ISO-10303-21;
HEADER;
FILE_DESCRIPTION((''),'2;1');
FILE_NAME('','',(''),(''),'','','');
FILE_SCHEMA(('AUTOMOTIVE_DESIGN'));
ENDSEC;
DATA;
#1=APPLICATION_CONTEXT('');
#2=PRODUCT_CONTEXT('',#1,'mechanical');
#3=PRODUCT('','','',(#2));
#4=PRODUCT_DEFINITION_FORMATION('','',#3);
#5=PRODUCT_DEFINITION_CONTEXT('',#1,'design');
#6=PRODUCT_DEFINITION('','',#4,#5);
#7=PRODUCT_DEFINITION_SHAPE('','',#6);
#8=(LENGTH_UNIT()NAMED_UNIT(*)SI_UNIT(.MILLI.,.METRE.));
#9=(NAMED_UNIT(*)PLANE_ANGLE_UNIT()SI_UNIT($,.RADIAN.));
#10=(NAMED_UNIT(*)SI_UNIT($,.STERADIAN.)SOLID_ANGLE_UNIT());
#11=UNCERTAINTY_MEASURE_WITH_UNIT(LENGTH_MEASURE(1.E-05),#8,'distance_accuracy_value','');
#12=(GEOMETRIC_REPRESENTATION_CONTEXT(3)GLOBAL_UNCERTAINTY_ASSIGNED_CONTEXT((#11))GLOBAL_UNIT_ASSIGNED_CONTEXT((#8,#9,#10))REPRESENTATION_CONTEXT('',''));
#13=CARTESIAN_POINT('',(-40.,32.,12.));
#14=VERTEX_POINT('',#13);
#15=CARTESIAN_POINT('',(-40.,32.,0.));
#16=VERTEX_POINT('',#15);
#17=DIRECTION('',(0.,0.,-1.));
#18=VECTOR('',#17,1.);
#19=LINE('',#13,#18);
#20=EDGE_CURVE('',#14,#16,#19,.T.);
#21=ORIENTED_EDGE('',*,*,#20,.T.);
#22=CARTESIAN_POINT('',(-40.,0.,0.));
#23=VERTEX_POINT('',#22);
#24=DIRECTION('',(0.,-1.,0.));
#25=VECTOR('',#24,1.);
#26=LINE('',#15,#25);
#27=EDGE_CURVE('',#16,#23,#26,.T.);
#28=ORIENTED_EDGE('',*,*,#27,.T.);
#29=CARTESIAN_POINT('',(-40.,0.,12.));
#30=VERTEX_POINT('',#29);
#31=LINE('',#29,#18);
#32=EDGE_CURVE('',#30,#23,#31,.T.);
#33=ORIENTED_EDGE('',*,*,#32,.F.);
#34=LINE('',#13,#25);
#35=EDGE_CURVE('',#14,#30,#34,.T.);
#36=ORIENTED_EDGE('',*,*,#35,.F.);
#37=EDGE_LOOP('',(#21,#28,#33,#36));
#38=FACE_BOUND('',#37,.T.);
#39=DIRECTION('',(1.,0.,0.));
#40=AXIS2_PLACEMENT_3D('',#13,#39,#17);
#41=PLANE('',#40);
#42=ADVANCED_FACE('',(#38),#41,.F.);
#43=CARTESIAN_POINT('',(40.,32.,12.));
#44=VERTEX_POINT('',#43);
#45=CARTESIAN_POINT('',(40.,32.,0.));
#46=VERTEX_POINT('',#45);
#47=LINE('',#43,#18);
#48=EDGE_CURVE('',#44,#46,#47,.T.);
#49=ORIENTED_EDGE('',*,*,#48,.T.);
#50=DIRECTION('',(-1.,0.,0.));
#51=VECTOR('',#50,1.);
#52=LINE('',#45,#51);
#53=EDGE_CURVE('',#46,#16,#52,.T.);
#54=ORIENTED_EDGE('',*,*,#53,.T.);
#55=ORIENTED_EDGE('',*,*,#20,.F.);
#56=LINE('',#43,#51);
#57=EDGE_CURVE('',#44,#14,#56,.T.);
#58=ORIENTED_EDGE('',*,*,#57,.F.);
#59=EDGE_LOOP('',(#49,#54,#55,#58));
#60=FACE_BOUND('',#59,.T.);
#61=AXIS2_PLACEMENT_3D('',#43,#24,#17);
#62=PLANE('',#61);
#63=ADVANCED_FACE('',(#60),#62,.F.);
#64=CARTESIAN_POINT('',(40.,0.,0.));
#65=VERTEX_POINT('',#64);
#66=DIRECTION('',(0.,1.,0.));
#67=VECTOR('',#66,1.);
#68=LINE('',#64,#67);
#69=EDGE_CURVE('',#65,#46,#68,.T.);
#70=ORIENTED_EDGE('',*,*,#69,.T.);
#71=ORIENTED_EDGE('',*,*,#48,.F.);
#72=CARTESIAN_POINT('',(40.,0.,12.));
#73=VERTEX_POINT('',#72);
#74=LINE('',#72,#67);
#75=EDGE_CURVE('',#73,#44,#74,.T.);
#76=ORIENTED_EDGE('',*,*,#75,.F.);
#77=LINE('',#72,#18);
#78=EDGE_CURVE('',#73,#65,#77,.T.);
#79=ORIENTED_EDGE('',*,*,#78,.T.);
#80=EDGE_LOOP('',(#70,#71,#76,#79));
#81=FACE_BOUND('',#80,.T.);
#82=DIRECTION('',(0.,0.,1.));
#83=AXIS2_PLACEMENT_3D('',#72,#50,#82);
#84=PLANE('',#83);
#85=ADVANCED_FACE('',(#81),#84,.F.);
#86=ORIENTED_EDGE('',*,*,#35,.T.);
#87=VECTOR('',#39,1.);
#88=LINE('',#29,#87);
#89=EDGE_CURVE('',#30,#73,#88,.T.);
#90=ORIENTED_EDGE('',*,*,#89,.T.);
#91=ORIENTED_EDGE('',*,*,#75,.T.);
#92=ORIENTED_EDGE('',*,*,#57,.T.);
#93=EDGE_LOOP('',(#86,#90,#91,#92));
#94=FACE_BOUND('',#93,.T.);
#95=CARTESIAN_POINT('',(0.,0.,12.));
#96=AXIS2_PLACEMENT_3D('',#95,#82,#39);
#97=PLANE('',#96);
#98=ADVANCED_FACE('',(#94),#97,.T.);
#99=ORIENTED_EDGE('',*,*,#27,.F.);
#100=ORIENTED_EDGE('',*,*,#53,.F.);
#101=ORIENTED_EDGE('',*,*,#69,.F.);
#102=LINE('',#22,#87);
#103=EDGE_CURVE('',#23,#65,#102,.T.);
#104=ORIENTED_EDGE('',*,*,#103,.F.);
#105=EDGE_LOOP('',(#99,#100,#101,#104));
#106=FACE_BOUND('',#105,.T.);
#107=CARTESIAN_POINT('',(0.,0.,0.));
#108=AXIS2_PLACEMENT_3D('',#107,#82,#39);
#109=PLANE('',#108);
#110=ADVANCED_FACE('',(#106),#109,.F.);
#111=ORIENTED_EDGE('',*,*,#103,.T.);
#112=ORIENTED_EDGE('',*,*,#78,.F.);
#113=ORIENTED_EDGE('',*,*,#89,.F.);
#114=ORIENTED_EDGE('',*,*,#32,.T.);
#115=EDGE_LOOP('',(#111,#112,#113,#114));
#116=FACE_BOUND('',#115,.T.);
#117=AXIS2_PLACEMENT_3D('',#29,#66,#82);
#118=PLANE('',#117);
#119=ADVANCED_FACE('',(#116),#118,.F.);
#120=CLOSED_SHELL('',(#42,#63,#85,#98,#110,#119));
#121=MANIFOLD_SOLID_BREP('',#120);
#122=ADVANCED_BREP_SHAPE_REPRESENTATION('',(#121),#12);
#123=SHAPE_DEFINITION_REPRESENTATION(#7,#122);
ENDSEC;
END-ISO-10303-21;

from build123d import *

# Parameters (mm, degrees)
SKETCH_1_W      = 80
SKETCH_1_H      = 32
EXTRUDE_1_DEPTH = 12


with BuildPart() as part:
    # 草图1 → 凸台-拉伸1 (new body)
    with BuildSketch(Plane.XY):
        with Locations((0, 16)):
            Rectangle(SKETCH_1_W, SKETCH_1_H)
    extrude(amount=EXTRUDE_1_DEPTH)


solid = part.part
